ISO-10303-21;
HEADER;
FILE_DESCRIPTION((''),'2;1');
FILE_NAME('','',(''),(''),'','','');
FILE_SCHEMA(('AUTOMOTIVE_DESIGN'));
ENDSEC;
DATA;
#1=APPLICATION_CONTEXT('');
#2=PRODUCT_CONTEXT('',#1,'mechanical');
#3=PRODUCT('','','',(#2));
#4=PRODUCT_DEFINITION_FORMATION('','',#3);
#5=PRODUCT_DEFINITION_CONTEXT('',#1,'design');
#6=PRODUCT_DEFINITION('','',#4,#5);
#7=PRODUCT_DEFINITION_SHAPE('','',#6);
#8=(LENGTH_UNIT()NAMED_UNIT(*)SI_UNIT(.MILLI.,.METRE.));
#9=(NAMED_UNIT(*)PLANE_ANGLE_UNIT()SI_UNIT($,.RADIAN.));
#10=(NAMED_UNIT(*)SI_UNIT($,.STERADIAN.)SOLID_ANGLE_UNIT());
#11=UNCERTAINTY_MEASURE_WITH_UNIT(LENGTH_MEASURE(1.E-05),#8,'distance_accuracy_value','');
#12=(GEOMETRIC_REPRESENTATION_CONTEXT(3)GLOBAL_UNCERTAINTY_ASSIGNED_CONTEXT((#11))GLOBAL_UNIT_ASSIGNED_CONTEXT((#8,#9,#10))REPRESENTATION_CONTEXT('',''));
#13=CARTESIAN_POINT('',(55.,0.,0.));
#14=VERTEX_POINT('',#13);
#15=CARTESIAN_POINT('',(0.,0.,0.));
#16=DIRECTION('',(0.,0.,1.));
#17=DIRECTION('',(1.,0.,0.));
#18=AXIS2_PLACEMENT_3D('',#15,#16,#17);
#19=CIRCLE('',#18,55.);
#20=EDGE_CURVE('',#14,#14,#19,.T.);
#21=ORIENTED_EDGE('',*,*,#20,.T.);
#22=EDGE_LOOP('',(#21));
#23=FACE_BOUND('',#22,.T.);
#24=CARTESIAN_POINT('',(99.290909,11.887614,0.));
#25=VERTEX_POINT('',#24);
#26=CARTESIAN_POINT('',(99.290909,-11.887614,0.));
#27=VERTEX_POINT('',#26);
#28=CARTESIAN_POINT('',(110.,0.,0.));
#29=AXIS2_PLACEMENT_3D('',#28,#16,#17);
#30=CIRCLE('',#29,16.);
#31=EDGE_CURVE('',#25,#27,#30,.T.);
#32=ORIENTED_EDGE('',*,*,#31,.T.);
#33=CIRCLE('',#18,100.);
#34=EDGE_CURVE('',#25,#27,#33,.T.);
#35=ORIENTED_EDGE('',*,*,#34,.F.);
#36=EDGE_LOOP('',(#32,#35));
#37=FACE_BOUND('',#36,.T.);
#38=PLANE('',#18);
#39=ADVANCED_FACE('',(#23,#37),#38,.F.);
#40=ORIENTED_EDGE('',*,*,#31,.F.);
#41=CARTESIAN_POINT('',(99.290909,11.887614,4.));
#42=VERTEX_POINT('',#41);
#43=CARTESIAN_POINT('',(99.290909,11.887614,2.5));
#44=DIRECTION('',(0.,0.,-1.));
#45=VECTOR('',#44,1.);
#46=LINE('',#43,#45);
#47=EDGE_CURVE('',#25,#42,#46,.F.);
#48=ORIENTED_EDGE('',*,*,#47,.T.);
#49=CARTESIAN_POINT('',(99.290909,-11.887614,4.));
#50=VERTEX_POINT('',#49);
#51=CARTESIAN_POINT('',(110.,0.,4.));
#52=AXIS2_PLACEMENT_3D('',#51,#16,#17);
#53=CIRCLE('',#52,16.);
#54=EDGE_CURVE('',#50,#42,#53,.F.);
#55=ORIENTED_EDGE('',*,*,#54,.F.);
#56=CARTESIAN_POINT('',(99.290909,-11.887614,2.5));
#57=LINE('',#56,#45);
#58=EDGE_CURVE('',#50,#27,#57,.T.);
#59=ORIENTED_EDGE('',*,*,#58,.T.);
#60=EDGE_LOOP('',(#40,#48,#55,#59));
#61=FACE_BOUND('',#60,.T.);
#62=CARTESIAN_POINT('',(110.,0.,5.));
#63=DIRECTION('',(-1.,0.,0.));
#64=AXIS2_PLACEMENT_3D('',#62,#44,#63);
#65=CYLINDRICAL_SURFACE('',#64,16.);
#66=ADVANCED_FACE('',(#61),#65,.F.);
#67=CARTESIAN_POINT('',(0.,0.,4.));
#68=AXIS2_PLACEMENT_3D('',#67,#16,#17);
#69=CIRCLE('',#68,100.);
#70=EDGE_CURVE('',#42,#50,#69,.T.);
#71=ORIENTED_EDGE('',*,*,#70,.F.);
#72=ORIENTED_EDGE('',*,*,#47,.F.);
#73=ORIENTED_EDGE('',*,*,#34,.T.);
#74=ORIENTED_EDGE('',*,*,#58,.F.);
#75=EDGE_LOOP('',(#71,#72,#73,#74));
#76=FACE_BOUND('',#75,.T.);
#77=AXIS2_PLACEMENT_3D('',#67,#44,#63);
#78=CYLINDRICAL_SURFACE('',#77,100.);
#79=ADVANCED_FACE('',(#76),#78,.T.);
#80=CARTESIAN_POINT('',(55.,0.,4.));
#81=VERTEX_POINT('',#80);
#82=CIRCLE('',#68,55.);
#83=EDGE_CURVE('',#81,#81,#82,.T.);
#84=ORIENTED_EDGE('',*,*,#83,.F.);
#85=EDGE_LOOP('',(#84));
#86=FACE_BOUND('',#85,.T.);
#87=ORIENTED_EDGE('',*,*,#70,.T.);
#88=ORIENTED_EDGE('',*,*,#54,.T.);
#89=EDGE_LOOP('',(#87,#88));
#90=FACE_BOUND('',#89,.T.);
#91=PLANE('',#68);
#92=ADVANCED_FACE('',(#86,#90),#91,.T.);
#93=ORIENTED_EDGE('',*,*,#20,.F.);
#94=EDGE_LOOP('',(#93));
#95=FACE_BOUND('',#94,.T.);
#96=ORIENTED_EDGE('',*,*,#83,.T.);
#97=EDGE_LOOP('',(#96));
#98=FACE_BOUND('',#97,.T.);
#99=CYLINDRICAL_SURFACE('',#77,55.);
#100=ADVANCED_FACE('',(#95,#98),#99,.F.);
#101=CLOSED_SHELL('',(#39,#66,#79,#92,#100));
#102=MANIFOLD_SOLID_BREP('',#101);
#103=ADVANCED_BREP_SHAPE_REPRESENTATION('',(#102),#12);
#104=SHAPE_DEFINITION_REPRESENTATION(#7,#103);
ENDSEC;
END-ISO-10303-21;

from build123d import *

# Parameters (mm, degrees)
SKETCH1_R           = 100
SKETCH1_R_2         = 55
BOSS_EXTRUDE1_DEPTH = 4
SKETCH2_R           = 16
CUT_EXTRUDE2_DEPTH  = 5


with BuildPart() as part:
    # Sketch1 → Boss-Extrude1 (new body)
    with BuildSketch(Plane.XY):
        Circle(SKETCH1_R)
        Circle(SKETCH1_R_2, mode=Mode.SUBTRACT)
    extrude(amount=BOSS_EXTRUDE1_DEPTH)

    # Sketch2 → Cut-Extrude2 (cut)
    with BuildSketch(Plane.XY):
        with Locations((110, 0)):
            Circle(SKETCH2_R)
    extrude(amount=CUT_EXTRUDE2_DEPTH, mode=Mode.SUBTRACT)


solid = part.part
